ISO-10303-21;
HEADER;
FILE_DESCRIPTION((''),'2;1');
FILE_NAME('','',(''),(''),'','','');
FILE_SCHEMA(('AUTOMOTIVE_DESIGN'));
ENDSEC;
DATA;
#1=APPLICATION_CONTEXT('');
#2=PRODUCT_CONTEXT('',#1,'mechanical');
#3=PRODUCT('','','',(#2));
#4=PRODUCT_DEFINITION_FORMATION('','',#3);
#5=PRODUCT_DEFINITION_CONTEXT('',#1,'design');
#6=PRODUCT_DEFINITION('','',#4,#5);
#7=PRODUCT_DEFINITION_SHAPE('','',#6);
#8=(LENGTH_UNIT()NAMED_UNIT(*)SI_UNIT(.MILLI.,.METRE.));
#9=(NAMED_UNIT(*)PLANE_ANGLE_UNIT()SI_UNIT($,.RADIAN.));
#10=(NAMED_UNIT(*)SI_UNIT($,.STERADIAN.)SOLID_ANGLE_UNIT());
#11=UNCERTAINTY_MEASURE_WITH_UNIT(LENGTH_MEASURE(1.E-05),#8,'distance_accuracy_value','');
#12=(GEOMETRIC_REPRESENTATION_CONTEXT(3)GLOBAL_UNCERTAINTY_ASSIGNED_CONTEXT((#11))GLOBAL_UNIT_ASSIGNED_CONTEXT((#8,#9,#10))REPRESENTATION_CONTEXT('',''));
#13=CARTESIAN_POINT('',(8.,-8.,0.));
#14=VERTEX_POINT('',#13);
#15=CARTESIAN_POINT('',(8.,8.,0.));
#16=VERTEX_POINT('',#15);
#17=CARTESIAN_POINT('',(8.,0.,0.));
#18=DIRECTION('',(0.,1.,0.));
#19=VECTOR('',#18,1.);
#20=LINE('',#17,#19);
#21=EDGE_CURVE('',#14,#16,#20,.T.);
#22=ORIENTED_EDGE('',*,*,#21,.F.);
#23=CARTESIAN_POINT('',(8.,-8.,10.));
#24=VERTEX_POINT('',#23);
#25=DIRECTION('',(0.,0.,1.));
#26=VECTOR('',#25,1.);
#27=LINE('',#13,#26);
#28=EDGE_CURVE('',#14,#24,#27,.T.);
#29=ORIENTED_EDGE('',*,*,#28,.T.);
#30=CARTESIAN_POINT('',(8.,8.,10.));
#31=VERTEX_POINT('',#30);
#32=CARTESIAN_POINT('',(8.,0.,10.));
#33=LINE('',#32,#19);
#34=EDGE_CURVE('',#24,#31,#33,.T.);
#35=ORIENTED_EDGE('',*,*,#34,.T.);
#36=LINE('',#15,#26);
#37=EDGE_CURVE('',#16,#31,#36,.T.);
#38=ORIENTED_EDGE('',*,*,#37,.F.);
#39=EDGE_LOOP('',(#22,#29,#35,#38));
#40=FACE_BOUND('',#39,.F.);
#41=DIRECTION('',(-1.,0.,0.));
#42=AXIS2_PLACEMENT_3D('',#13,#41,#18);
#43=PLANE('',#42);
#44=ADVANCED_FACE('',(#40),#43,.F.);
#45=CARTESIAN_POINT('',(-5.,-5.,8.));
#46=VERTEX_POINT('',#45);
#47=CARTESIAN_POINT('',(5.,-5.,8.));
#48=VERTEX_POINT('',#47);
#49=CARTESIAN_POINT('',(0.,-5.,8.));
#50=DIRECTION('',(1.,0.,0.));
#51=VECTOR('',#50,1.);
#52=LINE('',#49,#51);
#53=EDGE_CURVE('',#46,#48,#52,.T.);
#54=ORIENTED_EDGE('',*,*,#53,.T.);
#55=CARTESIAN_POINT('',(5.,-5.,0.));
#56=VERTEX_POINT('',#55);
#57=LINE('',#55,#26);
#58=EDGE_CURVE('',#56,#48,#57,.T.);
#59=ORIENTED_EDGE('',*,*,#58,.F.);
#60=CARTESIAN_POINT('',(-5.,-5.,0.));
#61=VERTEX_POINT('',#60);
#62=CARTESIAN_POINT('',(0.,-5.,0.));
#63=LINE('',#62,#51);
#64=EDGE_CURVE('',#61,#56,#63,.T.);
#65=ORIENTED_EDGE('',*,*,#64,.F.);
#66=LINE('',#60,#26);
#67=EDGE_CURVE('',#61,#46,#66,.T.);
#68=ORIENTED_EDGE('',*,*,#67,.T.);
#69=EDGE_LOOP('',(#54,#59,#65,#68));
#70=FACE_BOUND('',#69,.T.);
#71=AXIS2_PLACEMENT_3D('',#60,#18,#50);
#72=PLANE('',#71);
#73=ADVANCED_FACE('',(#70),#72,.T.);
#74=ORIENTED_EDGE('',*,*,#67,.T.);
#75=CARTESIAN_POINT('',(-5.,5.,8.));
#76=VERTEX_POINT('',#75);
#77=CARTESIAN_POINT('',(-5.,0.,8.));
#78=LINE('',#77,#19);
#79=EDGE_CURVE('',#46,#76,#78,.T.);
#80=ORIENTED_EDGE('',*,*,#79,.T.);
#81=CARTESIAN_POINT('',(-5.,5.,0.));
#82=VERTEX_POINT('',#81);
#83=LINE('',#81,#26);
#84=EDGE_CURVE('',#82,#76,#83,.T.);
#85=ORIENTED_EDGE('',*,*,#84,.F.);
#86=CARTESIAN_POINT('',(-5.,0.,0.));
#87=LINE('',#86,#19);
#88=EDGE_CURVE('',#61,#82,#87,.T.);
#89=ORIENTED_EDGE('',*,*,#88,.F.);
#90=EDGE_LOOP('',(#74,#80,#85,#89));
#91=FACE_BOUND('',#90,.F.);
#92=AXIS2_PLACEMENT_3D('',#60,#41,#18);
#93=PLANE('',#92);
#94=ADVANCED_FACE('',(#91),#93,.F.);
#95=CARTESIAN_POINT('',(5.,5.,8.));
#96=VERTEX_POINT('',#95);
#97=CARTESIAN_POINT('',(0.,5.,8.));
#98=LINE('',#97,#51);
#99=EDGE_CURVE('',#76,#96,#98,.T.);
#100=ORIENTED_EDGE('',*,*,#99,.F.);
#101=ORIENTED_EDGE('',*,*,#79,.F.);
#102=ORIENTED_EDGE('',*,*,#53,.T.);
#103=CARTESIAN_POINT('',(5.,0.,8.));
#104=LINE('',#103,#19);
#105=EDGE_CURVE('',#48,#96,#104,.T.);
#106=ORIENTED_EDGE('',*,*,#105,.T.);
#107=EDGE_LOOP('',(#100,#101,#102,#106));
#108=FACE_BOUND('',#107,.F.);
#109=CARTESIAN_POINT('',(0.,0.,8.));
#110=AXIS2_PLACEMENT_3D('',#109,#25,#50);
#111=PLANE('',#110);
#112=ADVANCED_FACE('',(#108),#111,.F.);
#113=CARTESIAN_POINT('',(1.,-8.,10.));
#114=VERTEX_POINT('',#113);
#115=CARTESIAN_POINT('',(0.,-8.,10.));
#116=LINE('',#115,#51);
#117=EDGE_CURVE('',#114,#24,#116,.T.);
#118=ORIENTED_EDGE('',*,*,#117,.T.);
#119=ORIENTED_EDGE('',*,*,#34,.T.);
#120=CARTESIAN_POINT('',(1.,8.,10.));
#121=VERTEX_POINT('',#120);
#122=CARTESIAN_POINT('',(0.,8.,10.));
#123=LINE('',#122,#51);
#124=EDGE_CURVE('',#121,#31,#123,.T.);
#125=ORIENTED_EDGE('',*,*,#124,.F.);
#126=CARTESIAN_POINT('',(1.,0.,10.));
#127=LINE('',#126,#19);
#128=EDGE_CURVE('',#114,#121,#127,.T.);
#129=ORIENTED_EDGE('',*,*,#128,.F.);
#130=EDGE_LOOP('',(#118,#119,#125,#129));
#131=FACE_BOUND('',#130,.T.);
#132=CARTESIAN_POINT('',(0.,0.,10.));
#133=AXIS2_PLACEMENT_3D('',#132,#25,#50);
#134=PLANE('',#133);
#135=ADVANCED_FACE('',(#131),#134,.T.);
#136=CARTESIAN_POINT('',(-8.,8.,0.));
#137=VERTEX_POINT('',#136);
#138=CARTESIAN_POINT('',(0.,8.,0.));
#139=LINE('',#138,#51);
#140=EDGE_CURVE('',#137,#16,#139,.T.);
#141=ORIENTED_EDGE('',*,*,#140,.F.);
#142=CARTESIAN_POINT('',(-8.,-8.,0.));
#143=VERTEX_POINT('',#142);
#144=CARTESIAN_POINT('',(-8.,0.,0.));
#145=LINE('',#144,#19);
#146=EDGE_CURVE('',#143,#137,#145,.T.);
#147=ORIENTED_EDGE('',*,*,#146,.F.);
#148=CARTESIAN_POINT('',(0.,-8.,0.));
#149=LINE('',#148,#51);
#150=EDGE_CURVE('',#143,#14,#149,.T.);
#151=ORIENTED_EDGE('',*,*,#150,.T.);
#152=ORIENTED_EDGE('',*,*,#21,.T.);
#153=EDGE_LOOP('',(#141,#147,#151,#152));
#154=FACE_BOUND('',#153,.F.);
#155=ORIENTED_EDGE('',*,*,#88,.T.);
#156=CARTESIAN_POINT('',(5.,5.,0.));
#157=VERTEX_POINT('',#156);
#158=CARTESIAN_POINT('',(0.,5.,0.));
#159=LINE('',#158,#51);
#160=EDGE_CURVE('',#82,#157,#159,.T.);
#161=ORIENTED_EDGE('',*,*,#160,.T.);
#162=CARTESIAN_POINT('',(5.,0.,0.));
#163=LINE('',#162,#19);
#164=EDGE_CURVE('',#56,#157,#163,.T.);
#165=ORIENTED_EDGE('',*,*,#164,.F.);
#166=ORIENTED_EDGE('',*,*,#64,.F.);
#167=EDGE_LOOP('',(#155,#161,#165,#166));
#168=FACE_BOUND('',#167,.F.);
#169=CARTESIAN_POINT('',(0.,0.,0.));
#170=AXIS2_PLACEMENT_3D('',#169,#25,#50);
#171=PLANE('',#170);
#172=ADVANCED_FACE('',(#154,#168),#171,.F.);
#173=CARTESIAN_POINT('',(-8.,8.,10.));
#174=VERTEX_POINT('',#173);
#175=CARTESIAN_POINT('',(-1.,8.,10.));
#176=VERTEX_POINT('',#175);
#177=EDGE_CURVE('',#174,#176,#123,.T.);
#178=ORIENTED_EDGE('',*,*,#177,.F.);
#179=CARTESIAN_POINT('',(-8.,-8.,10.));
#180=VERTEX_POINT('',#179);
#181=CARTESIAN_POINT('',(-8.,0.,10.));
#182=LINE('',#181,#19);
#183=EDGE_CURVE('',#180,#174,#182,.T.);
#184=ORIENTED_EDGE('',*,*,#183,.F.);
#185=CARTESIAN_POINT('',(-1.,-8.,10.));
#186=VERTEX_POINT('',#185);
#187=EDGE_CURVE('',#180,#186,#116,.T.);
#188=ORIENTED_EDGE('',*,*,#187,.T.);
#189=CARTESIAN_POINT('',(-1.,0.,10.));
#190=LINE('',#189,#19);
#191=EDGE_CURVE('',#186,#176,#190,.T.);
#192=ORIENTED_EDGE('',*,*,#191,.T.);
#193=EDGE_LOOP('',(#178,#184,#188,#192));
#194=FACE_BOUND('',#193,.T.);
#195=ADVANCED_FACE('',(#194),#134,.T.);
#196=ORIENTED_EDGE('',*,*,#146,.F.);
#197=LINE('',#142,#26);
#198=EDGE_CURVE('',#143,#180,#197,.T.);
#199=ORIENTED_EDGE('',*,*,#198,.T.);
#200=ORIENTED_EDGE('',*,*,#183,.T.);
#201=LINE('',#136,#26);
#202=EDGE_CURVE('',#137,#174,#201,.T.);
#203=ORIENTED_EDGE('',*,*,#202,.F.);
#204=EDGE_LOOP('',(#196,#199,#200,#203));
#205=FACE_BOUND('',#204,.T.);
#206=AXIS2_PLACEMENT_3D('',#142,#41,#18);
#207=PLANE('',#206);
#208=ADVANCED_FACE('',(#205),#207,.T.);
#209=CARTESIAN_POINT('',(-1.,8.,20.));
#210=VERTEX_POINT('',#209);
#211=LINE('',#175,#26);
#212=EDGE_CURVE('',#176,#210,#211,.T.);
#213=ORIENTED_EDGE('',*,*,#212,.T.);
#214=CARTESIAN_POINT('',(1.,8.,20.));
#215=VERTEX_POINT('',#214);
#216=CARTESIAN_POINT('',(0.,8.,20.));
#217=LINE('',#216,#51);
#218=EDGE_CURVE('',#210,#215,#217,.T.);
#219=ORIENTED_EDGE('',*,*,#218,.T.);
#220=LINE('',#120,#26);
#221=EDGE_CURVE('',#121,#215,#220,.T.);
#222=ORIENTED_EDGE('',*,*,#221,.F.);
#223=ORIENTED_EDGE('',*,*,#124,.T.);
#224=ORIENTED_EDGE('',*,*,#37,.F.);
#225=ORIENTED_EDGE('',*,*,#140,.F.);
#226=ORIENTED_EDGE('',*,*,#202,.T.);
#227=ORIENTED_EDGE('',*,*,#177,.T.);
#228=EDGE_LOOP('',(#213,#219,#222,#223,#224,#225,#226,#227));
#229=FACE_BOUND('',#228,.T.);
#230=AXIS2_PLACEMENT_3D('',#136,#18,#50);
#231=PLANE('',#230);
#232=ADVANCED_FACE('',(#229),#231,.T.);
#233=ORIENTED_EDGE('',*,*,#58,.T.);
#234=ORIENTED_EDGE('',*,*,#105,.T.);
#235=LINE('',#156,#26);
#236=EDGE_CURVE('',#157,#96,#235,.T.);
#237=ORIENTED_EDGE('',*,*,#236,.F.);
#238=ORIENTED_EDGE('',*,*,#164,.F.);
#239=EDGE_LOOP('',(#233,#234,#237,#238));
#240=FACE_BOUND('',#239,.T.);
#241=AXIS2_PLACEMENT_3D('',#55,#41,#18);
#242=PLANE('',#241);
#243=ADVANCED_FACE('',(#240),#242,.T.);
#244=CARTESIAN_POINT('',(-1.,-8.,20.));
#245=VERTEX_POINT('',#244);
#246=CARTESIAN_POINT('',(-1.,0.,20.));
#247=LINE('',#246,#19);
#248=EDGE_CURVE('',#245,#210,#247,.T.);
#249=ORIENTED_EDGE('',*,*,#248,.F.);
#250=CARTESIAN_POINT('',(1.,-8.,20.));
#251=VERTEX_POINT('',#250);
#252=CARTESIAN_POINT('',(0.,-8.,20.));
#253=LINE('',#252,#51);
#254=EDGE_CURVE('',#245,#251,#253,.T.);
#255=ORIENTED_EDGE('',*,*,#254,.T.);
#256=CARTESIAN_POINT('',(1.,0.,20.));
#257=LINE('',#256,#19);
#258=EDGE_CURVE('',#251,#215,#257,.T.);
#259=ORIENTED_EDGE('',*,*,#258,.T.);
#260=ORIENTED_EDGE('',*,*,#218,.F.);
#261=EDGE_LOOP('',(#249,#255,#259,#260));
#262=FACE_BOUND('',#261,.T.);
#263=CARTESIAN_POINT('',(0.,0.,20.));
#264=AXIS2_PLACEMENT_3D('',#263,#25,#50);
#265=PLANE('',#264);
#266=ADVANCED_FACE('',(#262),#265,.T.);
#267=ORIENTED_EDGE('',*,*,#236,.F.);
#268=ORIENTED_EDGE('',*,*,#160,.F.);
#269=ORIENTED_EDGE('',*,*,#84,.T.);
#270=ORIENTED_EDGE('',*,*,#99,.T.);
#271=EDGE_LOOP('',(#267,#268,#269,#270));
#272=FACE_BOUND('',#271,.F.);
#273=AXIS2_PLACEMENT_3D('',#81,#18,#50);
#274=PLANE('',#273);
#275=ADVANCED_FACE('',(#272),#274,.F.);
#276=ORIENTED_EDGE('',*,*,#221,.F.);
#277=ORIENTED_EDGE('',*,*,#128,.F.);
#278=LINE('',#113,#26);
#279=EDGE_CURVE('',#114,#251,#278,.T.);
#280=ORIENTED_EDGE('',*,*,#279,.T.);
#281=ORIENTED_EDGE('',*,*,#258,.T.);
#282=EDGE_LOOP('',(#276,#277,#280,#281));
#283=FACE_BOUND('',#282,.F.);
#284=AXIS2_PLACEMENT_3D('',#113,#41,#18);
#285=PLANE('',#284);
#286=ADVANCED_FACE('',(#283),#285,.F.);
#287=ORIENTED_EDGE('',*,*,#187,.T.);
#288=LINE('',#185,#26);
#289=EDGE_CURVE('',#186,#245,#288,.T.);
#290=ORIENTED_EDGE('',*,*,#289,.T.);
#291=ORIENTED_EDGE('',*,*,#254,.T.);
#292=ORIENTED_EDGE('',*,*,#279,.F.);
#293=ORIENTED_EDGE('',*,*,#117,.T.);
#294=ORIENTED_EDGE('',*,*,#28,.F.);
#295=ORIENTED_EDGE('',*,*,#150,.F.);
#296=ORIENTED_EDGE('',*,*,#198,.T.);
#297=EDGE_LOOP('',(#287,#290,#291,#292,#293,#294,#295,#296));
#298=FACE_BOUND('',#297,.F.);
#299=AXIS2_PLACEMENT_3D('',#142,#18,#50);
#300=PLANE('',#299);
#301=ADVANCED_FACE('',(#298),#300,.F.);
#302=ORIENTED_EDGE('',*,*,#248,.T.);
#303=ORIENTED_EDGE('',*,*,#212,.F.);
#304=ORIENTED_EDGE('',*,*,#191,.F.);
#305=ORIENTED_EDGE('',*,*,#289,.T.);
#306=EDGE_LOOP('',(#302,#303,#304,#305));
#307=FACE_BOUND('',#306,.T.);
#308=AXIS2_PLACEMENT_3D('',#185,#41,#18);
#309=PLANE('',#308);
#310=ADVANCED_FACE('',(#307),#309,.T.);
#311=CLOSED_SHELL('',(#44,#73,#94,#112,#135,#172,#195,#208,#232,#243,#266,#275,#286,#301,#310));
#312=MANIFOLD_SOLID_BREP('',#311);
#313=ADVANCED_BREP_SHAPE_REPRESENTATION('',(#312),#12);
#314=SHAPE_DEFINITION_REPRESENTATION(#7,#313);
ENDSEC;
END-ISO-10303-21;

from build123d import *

# Parameters (mm, degrees)
BOX002_W     = 10
BOX002_H     = 10
BOX002_DEPTH = 8
BOX001_W     = 2
BOX001_H     = 16
BOX001_DEPTH = 10
BOX_W        = 16
BOX_H        = 16
BOX_DEPTH    = 10


with BuildPart() as cube002:
    # Box002 → Box002 (new body)
    with BuildSketch(Plane(origin=(-5, -5, 0), x_dir=(1, 0, 0), z_dir=(0, 0, 1))):
        with Locations((5, 5)):
            Rectangle(BOX002_W, BOX002_H)
    extrude(amount=BOX002_DEPTH)


with BuildPart() as cube001:
    # Box001 → Box001 (new body)
    with BuildSketch(Plane(origin=(-1, -8, 10), x_dir=(1, 0, 0), z_dir=(0, 0, 1))):
        with Locations((1, 8)):
            Rectangle(BOX001_W, BOX001_H)
    extrude(amount=BOX001_DEPTH)


with BuildPart() as cut:
    # Box → Box (new body)
    with BuildSketch(Plane(origin=(-8, -8, 0), x_dir=(1, 0, 0), z_dir=(0, 0, 1))):
        with Locations((8, 8)):
            Rectangle(BOX_W, BOX_H)
    extrude(amount=BOX_DEPTH)

    # Fusion: union Cube001
    add(cube001.part)

    # Cut: cut Cube002
    add(cube002.part, mode=Mode.SUBTRACT)


solid = cut.part
